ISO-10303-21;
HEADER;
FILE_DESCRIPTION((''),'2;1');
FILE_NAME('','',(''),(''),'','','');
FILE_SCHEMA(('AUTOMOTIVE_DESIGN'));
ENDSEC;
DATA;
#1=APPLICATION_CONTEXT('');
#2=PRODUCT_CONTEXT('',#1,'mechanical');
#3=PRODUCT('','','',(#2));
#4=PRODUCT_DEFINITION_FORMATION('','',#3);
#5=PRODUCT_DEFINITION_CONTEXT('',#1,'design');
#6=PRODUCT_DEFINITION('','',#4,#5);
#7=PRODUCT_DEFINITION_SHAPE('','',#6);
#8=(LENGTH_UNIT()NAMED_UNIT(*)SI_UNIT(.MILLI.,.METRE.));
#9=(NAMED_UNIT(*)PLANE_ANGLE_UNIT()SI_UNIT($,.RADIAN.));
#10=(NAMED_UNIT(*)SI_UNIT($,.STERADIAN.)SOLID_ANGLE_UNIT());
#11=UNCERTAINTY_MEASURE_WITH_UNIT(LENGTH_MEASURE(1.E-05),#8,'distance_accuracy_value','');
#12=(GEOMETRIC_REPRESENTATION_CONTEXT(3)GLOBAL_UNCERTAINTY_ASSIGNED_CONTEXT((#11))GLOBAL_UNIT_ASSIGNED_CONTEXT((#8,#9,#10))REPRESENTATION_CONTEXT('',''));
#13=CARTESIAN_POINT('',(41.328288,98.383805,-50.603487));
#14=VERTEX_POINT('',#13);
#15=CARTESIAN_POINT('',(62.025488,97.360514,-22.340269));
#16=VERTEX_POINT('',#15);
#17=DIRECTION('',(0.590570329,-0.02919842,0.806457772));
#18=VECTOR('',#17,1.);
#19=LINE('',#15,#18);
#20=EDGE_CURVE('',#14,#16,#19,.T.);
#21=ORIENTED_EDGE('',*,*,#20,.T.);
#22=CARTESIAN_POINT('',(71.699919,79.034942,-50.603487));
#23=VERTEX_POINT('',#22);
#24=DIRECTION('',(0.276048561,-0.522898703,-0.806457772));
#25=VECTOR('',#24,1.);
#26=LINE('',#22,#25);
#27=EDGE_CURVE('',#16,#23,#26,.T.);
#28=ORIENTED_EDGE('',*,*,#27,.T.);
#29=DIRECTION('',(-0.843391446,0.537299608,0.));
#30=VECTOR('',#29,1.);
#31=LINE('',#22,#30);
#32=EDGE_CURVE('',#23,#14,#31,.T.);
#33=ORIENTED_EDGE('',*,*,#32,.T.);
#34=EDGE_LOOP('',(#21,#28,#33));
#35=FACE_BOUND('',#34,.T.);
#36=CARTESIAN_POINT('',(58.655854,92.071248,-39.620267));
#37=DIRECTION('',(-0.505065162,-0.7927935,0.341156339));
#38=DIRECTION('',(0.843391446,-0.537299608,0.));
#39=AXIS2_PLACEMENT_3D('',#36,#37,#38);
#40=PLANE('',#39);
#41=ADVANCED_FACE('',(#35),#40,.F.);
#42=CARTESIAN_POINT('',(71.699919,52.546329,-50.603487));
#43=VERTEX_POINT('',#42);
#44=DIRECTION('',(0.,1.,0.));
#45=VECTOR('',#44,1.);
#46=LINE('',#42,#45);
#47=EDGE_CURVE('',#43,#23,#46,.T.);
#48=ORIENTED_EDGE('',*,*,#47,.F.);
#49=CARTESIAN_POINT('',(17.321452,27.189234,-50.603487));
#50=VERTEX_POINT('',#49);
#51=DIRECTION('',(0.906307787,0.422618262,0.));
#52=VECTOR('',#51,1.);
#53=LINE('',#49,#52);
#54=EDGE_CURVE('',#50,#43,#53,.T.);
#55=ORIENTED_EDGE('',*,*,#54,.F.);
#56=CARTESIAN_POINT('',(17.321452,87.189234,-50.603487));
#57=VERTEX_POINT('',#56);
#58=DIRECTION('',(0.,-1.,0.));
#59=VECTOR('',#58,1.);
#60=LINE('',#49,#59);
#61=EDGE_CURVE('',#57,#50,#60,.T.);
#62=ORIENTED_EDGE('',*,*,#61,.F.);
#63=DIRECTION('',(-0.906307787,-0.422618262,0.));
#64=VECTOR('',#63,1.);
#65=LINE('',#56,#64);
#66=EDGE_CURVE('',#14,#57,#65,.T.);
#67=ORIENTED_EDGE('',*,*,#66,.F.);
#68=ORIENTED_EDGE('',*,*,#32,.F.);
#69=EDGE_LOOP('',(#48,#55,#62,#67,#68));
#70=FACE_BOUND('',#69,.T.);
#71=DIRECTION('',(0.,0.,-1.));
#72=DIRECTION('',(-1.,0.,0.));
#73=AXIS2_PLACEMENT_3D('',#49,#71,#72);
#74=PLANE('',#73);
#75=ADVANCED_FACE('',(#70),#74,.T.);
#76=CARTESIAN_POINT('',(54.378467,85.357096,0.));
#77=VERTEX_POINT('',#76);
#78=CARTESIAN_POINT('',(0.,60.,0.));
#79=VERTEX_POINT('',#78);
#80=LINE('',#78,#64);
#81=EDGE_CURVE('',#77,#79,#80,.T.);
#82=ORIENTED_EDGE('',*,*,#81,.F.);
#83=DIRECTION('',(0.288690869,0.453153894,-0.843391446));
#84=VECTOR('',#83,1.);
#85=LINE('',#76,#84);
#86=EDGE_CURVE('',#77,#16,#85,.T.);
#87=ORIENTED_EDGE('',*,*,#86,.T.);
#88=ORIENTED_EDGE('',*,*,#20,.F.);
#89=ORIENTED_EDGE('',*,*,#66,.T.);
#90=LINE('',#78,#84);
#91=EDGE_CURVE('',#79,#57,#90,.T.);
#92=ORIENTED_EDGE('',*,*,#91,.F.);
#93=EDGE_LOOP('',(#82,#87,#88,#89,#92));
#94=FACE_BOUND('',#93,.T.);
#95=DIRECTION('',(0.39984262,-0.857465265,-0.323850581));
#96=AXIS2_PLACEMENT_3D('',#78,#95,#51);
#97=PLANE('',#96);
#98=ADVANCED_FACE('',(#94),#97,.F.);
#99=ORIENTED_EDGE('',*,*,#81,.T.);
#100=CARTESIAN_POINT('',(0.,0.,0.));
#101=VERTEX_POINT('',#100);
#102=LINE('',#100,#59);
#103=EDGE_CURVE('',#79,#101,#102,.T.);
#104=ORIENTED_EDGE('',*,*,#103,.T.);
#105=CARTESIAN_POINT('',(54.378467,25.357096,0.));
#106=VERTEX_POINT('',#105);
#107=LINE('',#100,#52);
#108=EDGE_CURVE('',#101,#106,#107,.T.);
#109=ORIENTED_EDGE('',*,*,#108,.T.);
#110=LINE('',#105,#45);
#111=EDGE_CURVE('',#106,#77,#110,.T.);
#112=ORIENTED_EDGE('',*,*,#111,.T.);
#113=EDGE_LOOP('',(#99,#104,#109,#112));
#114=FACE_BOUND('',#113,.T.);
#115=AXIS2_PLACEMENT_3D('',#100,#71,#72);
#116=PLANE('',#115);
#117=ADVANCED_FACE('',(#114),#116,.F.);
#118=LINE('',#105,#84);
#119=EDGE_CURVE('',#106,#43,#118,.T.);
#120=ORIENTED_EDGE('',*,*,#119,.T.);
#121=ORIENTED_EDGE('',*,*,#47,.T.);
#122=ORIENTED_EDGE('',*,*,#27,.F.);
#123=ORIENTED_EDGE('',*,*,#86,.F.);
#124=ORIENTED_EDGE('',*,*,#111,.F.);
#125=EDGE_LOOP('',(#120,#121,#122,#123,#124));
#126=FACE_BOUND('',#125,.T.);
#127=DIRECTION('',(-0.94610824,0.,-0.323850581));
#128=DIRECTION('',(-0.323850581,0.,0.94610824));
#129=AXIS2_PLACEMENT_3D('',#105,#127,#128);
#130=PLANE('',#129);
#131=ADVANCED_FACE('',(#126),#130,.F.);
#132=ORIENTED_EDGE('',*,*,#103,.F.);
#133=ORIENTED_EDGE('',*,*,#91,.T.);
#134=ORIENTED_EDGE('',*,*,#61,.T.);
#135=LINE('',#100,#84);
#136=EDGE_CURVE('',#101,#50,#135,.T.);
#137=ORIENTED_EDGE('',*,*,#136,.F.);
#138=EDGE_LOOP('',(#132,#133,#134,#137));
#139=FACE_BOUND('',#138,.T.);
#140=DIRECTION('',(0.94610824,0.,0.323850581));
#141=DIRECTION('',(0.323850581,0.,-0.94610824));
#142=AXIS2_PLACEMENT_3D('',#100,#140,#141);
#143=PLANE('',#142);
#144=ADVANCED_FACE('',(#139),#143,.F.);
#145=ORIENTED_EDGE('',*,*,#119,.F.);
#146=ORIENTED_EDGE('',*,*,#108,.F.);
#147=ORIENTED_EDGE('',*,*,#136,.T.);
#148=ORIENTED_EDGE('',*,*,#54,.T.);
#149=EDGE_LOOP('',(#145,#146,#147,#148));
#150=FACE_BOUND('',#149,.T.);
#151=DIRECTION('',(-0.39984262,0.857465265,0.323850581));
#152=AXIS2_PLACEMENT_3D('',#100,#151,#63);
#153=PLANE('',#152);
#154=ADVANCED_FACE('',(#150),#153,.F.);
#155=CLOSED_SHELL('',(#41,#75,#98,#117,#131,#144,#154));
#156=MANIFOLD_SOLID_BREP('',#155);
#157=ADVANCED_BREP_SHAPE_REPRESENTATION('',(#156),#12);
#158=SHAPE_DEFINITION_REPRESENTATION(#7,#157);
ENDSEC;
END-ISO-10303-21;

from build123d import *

# Parameters (mm, degrees)
SCHNITT_LINEAR_AUSTRAGEN1_DEPTH = 27.567610021


with BuildPart() as part:
    # Austragung1: sweep along a path in SK Pfad
    with BuildLine(Plane(origin=(0, 0, 0), x_dir=(0, 0, -1), z_dir=(0.843391446, -0.537299608, 0))) as austragung1_path:
        Line((0, 0), (50.603486749, 32.237976501))
    # SK Grundriss → Austragung1 (sweep)
    with BuildSketch(Plane.XY):
        Polygon((0, 0), (54.378467222, 25.357095704), (54.378467222, 85.357095704), (0, 60), align=None)
    sweep(path=austragung1_path.line)

    # Skizze2 → Schnitt-Linear austragen1 (cut, through all)
    with BuildSketch(Plane(origin=(58.655853729, 92.071247611, -39.620266542), x_dir=(0.863081214, -0.463933603, 0.199640751), z_dir=(0.505065162, 0.7927935, -0.341156339))):
        Polygon((15.113369899, 15.241721945), (-20.07640222, 7.593557233), (3.904191248, -17.963473004), align=None)
    extrude(amount=SCHNITT_LINEAR_AUSTRAGEN1_DEPTH, mode=Mode.SUBTRACT)


solid = part.part
